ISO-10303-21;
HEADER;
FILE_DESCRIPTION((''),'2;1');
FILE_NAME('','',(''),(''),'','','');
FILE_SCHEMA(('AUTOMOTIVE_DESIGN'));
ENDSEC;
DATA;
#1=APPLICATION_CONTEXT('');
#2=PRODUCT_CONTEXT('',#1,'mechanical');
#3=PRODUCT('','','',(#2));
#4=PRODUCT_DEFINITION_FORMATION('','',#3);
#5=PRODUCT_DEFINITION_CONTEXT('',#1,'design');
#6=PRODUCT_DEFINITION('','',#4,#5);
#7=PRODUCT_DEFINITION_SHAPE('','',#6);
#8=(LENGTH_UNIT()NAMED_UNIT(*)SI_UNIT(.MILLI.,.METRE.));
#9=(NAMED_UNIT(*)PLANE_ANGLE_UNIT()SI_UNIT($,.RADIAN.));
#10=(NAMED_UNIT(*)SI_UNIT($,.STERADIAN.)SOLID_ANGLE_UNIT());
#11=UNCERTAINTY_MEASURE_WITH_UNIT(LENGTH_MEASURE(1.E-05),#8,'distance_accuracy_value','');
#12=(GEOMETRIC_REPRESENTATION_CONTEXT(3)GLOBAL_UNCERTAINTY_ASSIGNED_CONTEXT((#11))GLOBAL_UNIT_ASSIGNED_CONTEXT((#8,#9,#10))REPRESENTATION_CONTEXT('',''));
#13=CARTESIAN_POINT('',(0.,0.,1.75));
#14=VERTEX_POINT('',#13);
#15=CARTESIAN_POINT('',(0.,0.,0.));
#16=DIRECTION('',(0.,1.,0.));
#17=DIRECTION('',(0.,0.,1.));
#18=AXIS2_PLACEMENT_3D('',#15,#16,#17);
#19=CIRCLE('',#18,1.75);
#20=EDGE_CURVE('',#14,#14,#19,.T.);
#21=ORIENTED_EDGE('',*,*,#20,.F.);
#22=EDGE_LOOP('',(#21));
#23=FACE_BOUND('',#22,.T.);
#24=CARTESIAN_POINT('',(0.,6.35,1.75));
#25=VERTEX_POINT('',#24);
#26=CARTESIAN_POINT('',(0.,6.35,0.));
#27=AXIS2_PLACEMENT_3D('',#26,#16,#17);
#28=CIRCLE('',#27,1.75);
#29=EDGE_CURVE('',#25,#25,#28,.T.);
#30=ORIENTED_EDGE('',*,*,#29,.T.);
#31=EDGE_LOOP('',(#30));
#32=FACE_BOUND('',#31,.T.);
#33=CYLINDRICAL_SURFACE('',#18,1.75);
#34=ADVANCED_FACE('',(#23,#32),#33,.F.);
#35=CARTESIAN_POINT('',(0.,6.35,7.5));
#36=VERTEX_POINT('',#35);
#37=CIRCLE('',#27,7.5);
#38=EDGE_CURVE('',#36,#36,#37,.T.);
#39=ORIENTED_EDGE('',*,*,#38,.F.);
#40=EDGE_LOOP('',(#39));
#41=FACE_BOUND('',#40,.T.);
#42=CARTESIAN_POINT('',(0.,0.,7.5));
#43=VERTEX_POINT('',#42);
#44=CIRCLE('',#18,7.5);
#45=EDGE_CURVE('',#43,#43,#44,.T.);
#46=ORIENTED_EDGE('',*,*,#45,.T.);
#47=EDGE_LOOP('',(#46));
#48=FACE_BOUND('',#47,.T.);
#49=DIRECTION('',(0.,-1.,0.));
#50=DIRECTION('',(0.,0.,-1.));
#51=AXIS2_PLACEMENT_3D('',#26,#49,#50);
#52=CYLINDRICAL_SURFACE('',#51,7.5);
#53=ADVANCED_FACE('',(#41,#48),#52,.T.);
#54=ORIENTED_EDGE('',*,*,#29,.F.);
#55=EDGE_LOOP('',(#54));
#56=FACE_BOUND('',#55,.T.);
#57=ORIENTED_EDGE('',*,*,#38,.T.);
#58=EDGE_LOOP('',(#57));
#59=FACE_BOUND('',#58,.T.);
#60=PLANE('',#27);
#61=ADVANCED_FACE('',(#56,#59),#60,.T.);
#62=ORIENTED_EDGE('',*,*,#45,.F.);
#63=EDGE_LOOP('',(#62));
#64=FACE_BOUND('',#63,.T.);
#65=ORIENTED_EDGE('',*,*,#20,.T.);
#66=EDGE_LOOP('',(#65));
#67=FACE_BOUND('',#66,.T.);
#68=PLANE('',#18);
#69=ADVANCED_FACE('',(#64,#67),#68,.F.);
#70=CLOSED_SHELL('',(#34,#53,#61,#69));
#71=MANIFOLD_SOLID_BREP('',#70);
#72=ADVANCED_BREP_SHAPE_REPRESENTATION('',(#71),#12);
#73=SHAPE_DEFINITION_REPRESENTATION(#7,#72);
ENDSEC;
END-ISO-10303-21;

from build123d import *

# Parameters (mm, degrees)
SKETCH1_R           = 7.5
BOSS_EXTRUDE1_DEPTH = 6.35
SKETCH2_R           = 1.75
CUT_EXTRUDE1_DEPTH  = 7.35


with BuildPart() as part:
    # Sketch1 → Boss-Extrude1 (new body)
    with BuildSketch(Plane(origin=(0, 0, 0), x_dir=(1, 0, 0), z_dir=(0, 1, 0))):
        Circle(SKETCH1_R)
    extrude(amount=BOSS_EXTRUDE1_DEPTH)

    # Sketch2 → Cut-Extrude1 (cut, through all)
    with BuildSketch(Plane(origin=(0, 6.35, 0), x_dir=(1, 0, 0), z_dir=(0, 1, 0))):
        Circle(SKETCH2_R)
    extrude(amount=-CUT_EXTRUDE1_DEPTH, mode=Mode.SUBTRACT)


solid = part.part
